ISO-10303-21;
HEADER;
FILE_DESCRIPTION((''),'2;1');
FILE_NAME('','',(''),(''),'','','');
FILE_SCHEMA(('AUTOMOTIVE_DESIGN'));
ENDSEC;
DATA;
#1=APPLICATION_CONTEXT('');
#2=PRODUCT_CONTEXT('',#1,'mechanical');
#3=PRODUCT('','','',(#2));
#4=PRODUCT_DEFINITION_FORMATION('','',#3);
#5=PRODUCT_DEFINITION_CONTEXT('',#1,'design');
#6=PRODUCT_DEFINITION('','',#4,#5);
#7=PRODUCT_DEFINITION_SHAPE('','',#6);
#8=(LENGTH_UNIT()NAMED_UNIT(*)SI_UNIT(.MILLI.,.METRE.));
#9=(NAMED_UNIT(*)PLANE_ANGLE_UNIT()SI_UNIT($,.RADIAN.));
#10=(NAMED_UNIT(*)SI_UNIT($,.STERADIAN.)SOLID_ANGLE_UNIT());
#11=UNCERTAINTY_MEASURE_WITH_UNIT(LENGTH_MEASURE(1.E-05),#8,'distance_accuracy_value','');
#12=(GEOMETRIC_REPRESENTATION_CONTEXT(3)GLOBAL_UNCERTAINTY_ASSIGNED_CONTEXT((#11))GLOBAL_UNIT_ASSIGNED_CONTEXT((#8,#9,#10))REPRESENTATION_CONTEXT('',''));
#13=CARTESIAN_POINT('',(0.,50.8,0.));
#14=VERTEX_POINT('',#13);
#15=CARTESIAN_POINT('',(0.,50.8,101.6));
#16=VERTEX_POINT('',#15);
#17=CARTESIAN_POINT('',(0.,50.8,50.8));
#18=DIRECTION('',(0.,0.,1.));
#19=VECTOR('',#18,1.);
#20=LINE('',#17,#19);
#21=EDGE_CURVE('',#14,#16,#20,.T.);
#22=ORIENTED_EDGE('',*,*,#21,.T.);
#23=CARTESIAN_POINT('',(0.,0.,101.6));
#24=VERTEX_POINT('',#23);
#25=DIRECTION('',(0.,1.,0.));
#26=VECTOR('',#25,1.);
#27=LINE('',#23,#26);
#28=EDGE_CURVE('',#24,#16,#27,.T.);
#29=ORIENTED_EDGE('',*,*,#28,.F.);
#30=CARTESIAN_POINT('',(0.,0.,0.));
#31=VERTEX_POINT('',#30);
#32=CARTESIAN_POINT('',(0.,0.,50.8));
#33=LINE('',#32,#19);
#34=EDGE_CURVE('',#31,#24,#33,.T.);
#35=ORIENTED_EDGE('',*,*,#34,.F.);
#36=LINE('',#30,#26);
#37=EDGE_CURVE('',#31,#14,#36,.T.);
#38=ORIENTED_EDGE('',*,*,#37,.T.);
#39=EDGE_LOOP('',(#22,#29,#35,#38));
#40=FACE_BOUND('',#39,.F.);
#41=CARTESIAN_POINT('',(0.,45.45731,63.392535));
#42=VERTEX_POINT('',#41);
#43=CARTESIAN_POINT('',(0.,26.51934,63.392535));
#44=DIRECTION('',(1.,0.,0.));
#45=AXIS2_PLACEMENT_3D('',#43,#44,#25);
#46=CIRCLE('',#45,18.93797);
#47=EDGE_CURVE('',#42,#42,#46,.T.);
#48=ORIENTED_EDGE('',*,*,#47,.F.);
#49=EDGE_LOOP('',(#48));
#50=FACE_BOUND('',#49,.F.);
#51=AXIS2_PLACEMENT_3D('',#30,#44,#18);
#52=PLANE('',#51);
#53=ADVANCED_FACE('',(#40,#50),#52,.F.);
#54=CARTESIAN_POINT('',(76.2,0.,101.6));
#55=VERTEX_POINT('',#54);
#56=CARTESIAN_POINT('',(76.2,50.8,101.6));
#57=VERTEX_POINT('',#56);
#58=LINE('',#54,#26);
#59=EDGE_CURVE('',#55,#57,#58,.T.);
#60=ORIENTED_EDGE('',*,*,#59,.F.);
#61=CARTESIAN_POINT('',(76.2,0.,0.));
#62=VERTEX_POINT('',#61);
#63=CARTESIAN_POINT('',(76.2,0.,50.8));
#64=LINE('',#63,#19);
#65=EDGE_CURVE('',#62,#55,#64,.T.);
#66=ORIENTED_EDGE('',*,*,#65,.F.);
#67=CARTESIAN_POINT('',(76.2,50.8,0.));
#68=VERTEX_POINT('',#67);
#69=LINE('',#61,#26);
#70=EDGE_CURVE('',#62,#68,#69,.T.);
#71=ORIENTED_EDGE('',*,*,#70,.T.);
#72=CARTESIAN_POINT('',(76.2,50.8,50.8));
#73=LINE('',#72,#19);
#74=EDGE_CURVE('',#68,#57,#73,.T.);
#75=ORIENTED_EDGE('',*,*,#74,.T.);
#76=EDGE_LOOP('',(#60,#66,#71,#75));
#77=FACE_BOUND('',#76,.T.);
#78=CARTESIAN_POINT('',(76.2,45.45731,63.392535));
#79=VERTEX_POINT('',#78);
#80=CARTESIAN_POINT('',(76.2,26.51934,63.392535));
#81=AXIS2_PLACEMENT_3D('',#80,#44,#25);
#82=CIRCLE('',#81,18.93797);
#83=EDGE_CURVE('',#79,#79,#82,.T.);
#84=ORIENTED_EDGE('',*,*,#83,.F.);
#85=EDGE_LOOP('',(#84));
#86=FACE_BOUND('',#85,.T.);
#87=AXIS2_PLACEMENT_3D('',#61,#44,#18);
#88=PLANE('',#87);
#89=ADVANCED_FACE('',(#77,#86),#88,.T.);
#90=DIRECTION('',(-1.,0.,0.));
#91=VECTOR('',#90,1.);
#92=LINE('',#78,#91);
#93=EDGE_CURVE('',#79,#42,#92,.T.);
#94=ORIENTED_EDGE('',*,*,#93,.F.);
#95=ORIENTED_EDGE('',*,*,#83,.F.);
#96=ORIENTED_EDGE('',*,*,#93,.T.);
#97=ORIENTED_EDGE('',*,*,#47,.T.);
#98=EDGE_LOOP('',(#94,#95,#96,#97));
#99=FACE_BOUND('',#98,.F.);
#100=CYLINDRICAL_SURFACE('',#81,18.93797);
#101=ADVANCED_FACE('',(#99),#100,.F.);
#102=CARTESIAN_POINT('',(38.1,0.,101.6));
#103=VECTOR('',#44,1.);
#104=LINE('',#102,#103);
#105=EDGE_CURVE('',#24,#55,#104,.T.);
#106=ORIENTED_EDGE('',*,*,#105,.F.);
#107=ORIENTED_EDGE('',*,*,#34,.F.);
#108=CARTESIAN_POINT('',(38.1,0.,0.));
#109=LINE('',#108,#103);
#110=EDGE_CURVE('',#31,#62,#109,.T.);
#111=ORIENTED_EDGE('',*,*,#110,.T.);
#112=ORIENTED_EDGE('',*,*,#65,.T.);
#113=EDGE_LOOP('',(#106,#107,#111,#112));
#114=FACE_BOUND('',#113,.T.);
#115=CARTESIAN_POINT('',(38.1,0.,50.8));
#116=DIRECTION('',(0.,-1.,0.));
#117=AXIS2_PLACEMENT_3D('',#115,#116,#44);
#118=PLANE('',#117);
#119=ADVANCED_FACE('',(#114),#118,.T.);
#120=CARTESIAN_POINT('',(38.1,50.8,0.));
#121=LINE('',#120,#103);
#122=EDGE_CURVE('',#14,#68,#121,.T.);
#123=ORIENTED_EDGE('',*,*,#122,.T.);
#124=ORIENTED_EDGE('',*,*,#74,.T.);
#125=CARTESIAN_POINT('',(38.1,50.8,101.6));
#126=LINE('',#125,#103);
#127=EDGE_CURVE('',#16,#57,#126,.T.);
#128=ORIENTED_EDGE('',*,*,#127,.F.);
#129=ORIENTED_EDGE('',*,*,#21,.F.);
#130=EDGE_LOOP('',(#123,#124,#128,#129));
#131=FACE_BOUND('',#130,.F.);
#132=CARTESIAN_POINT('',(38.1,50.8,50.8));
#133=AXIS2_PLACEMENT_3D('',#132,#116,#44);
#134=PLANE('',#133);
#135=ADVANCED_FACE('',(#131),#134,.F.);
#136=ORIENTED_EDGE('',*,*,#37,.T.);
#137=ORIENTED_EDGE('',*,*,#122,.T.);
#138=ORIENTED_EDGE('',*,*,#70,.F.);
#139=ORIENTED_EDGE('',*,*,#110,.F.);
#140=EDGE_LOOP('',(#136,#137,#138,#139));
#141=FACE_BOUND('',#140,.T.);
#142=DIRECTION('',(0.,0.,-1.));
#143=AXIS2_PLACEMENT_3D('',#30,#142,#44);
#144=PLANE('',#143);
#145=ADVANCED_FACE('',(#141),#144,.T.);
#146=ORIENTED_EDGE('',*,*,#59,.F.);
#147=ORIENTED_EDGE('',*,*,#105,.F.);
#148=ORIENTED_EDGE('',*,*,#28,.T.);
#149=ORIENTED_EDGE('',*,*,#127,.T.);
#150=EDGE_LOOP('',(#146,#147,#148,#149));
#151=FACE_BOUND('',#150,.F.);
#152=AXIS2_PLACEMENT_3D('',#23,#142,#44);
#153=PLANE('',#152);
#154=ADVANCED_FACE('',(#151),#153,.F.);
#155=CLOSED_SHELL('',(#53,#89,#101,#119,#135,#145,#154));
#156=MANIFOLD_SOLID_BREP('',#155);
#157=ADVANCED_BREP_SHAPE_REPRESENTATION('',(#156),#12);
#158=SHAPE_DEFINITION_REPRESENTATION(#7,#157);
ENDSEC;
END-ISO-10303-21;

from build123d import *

# Parameters (mm, degrees)
F0_W     = 76.2
F0_H     = 101.6
F1_DEPTH = 50.8
F2_R     = 18.93797
F3_DEPTH = 76.2


with BuildPart() as f1:
    # F0 (on Front) → F1 (new body)
    with BuildSketch(Plane.XZ):
        with Locations((38.1, 50.8)):
            Rectangle(F0_W, F0_H)
    extrude(amount=-F1_DEPTH)

    # F2 (on face) → F3 (cut, through all)
    with BuildSketch(Plane.YZ.offset(76.2)):
        with Locations((26.51934, 63.392535)):
            Circle(F2_R)
    extrude(amount=-F3_DEPTH, mode=Mode.SUBTRACT)


solid = f1.part
